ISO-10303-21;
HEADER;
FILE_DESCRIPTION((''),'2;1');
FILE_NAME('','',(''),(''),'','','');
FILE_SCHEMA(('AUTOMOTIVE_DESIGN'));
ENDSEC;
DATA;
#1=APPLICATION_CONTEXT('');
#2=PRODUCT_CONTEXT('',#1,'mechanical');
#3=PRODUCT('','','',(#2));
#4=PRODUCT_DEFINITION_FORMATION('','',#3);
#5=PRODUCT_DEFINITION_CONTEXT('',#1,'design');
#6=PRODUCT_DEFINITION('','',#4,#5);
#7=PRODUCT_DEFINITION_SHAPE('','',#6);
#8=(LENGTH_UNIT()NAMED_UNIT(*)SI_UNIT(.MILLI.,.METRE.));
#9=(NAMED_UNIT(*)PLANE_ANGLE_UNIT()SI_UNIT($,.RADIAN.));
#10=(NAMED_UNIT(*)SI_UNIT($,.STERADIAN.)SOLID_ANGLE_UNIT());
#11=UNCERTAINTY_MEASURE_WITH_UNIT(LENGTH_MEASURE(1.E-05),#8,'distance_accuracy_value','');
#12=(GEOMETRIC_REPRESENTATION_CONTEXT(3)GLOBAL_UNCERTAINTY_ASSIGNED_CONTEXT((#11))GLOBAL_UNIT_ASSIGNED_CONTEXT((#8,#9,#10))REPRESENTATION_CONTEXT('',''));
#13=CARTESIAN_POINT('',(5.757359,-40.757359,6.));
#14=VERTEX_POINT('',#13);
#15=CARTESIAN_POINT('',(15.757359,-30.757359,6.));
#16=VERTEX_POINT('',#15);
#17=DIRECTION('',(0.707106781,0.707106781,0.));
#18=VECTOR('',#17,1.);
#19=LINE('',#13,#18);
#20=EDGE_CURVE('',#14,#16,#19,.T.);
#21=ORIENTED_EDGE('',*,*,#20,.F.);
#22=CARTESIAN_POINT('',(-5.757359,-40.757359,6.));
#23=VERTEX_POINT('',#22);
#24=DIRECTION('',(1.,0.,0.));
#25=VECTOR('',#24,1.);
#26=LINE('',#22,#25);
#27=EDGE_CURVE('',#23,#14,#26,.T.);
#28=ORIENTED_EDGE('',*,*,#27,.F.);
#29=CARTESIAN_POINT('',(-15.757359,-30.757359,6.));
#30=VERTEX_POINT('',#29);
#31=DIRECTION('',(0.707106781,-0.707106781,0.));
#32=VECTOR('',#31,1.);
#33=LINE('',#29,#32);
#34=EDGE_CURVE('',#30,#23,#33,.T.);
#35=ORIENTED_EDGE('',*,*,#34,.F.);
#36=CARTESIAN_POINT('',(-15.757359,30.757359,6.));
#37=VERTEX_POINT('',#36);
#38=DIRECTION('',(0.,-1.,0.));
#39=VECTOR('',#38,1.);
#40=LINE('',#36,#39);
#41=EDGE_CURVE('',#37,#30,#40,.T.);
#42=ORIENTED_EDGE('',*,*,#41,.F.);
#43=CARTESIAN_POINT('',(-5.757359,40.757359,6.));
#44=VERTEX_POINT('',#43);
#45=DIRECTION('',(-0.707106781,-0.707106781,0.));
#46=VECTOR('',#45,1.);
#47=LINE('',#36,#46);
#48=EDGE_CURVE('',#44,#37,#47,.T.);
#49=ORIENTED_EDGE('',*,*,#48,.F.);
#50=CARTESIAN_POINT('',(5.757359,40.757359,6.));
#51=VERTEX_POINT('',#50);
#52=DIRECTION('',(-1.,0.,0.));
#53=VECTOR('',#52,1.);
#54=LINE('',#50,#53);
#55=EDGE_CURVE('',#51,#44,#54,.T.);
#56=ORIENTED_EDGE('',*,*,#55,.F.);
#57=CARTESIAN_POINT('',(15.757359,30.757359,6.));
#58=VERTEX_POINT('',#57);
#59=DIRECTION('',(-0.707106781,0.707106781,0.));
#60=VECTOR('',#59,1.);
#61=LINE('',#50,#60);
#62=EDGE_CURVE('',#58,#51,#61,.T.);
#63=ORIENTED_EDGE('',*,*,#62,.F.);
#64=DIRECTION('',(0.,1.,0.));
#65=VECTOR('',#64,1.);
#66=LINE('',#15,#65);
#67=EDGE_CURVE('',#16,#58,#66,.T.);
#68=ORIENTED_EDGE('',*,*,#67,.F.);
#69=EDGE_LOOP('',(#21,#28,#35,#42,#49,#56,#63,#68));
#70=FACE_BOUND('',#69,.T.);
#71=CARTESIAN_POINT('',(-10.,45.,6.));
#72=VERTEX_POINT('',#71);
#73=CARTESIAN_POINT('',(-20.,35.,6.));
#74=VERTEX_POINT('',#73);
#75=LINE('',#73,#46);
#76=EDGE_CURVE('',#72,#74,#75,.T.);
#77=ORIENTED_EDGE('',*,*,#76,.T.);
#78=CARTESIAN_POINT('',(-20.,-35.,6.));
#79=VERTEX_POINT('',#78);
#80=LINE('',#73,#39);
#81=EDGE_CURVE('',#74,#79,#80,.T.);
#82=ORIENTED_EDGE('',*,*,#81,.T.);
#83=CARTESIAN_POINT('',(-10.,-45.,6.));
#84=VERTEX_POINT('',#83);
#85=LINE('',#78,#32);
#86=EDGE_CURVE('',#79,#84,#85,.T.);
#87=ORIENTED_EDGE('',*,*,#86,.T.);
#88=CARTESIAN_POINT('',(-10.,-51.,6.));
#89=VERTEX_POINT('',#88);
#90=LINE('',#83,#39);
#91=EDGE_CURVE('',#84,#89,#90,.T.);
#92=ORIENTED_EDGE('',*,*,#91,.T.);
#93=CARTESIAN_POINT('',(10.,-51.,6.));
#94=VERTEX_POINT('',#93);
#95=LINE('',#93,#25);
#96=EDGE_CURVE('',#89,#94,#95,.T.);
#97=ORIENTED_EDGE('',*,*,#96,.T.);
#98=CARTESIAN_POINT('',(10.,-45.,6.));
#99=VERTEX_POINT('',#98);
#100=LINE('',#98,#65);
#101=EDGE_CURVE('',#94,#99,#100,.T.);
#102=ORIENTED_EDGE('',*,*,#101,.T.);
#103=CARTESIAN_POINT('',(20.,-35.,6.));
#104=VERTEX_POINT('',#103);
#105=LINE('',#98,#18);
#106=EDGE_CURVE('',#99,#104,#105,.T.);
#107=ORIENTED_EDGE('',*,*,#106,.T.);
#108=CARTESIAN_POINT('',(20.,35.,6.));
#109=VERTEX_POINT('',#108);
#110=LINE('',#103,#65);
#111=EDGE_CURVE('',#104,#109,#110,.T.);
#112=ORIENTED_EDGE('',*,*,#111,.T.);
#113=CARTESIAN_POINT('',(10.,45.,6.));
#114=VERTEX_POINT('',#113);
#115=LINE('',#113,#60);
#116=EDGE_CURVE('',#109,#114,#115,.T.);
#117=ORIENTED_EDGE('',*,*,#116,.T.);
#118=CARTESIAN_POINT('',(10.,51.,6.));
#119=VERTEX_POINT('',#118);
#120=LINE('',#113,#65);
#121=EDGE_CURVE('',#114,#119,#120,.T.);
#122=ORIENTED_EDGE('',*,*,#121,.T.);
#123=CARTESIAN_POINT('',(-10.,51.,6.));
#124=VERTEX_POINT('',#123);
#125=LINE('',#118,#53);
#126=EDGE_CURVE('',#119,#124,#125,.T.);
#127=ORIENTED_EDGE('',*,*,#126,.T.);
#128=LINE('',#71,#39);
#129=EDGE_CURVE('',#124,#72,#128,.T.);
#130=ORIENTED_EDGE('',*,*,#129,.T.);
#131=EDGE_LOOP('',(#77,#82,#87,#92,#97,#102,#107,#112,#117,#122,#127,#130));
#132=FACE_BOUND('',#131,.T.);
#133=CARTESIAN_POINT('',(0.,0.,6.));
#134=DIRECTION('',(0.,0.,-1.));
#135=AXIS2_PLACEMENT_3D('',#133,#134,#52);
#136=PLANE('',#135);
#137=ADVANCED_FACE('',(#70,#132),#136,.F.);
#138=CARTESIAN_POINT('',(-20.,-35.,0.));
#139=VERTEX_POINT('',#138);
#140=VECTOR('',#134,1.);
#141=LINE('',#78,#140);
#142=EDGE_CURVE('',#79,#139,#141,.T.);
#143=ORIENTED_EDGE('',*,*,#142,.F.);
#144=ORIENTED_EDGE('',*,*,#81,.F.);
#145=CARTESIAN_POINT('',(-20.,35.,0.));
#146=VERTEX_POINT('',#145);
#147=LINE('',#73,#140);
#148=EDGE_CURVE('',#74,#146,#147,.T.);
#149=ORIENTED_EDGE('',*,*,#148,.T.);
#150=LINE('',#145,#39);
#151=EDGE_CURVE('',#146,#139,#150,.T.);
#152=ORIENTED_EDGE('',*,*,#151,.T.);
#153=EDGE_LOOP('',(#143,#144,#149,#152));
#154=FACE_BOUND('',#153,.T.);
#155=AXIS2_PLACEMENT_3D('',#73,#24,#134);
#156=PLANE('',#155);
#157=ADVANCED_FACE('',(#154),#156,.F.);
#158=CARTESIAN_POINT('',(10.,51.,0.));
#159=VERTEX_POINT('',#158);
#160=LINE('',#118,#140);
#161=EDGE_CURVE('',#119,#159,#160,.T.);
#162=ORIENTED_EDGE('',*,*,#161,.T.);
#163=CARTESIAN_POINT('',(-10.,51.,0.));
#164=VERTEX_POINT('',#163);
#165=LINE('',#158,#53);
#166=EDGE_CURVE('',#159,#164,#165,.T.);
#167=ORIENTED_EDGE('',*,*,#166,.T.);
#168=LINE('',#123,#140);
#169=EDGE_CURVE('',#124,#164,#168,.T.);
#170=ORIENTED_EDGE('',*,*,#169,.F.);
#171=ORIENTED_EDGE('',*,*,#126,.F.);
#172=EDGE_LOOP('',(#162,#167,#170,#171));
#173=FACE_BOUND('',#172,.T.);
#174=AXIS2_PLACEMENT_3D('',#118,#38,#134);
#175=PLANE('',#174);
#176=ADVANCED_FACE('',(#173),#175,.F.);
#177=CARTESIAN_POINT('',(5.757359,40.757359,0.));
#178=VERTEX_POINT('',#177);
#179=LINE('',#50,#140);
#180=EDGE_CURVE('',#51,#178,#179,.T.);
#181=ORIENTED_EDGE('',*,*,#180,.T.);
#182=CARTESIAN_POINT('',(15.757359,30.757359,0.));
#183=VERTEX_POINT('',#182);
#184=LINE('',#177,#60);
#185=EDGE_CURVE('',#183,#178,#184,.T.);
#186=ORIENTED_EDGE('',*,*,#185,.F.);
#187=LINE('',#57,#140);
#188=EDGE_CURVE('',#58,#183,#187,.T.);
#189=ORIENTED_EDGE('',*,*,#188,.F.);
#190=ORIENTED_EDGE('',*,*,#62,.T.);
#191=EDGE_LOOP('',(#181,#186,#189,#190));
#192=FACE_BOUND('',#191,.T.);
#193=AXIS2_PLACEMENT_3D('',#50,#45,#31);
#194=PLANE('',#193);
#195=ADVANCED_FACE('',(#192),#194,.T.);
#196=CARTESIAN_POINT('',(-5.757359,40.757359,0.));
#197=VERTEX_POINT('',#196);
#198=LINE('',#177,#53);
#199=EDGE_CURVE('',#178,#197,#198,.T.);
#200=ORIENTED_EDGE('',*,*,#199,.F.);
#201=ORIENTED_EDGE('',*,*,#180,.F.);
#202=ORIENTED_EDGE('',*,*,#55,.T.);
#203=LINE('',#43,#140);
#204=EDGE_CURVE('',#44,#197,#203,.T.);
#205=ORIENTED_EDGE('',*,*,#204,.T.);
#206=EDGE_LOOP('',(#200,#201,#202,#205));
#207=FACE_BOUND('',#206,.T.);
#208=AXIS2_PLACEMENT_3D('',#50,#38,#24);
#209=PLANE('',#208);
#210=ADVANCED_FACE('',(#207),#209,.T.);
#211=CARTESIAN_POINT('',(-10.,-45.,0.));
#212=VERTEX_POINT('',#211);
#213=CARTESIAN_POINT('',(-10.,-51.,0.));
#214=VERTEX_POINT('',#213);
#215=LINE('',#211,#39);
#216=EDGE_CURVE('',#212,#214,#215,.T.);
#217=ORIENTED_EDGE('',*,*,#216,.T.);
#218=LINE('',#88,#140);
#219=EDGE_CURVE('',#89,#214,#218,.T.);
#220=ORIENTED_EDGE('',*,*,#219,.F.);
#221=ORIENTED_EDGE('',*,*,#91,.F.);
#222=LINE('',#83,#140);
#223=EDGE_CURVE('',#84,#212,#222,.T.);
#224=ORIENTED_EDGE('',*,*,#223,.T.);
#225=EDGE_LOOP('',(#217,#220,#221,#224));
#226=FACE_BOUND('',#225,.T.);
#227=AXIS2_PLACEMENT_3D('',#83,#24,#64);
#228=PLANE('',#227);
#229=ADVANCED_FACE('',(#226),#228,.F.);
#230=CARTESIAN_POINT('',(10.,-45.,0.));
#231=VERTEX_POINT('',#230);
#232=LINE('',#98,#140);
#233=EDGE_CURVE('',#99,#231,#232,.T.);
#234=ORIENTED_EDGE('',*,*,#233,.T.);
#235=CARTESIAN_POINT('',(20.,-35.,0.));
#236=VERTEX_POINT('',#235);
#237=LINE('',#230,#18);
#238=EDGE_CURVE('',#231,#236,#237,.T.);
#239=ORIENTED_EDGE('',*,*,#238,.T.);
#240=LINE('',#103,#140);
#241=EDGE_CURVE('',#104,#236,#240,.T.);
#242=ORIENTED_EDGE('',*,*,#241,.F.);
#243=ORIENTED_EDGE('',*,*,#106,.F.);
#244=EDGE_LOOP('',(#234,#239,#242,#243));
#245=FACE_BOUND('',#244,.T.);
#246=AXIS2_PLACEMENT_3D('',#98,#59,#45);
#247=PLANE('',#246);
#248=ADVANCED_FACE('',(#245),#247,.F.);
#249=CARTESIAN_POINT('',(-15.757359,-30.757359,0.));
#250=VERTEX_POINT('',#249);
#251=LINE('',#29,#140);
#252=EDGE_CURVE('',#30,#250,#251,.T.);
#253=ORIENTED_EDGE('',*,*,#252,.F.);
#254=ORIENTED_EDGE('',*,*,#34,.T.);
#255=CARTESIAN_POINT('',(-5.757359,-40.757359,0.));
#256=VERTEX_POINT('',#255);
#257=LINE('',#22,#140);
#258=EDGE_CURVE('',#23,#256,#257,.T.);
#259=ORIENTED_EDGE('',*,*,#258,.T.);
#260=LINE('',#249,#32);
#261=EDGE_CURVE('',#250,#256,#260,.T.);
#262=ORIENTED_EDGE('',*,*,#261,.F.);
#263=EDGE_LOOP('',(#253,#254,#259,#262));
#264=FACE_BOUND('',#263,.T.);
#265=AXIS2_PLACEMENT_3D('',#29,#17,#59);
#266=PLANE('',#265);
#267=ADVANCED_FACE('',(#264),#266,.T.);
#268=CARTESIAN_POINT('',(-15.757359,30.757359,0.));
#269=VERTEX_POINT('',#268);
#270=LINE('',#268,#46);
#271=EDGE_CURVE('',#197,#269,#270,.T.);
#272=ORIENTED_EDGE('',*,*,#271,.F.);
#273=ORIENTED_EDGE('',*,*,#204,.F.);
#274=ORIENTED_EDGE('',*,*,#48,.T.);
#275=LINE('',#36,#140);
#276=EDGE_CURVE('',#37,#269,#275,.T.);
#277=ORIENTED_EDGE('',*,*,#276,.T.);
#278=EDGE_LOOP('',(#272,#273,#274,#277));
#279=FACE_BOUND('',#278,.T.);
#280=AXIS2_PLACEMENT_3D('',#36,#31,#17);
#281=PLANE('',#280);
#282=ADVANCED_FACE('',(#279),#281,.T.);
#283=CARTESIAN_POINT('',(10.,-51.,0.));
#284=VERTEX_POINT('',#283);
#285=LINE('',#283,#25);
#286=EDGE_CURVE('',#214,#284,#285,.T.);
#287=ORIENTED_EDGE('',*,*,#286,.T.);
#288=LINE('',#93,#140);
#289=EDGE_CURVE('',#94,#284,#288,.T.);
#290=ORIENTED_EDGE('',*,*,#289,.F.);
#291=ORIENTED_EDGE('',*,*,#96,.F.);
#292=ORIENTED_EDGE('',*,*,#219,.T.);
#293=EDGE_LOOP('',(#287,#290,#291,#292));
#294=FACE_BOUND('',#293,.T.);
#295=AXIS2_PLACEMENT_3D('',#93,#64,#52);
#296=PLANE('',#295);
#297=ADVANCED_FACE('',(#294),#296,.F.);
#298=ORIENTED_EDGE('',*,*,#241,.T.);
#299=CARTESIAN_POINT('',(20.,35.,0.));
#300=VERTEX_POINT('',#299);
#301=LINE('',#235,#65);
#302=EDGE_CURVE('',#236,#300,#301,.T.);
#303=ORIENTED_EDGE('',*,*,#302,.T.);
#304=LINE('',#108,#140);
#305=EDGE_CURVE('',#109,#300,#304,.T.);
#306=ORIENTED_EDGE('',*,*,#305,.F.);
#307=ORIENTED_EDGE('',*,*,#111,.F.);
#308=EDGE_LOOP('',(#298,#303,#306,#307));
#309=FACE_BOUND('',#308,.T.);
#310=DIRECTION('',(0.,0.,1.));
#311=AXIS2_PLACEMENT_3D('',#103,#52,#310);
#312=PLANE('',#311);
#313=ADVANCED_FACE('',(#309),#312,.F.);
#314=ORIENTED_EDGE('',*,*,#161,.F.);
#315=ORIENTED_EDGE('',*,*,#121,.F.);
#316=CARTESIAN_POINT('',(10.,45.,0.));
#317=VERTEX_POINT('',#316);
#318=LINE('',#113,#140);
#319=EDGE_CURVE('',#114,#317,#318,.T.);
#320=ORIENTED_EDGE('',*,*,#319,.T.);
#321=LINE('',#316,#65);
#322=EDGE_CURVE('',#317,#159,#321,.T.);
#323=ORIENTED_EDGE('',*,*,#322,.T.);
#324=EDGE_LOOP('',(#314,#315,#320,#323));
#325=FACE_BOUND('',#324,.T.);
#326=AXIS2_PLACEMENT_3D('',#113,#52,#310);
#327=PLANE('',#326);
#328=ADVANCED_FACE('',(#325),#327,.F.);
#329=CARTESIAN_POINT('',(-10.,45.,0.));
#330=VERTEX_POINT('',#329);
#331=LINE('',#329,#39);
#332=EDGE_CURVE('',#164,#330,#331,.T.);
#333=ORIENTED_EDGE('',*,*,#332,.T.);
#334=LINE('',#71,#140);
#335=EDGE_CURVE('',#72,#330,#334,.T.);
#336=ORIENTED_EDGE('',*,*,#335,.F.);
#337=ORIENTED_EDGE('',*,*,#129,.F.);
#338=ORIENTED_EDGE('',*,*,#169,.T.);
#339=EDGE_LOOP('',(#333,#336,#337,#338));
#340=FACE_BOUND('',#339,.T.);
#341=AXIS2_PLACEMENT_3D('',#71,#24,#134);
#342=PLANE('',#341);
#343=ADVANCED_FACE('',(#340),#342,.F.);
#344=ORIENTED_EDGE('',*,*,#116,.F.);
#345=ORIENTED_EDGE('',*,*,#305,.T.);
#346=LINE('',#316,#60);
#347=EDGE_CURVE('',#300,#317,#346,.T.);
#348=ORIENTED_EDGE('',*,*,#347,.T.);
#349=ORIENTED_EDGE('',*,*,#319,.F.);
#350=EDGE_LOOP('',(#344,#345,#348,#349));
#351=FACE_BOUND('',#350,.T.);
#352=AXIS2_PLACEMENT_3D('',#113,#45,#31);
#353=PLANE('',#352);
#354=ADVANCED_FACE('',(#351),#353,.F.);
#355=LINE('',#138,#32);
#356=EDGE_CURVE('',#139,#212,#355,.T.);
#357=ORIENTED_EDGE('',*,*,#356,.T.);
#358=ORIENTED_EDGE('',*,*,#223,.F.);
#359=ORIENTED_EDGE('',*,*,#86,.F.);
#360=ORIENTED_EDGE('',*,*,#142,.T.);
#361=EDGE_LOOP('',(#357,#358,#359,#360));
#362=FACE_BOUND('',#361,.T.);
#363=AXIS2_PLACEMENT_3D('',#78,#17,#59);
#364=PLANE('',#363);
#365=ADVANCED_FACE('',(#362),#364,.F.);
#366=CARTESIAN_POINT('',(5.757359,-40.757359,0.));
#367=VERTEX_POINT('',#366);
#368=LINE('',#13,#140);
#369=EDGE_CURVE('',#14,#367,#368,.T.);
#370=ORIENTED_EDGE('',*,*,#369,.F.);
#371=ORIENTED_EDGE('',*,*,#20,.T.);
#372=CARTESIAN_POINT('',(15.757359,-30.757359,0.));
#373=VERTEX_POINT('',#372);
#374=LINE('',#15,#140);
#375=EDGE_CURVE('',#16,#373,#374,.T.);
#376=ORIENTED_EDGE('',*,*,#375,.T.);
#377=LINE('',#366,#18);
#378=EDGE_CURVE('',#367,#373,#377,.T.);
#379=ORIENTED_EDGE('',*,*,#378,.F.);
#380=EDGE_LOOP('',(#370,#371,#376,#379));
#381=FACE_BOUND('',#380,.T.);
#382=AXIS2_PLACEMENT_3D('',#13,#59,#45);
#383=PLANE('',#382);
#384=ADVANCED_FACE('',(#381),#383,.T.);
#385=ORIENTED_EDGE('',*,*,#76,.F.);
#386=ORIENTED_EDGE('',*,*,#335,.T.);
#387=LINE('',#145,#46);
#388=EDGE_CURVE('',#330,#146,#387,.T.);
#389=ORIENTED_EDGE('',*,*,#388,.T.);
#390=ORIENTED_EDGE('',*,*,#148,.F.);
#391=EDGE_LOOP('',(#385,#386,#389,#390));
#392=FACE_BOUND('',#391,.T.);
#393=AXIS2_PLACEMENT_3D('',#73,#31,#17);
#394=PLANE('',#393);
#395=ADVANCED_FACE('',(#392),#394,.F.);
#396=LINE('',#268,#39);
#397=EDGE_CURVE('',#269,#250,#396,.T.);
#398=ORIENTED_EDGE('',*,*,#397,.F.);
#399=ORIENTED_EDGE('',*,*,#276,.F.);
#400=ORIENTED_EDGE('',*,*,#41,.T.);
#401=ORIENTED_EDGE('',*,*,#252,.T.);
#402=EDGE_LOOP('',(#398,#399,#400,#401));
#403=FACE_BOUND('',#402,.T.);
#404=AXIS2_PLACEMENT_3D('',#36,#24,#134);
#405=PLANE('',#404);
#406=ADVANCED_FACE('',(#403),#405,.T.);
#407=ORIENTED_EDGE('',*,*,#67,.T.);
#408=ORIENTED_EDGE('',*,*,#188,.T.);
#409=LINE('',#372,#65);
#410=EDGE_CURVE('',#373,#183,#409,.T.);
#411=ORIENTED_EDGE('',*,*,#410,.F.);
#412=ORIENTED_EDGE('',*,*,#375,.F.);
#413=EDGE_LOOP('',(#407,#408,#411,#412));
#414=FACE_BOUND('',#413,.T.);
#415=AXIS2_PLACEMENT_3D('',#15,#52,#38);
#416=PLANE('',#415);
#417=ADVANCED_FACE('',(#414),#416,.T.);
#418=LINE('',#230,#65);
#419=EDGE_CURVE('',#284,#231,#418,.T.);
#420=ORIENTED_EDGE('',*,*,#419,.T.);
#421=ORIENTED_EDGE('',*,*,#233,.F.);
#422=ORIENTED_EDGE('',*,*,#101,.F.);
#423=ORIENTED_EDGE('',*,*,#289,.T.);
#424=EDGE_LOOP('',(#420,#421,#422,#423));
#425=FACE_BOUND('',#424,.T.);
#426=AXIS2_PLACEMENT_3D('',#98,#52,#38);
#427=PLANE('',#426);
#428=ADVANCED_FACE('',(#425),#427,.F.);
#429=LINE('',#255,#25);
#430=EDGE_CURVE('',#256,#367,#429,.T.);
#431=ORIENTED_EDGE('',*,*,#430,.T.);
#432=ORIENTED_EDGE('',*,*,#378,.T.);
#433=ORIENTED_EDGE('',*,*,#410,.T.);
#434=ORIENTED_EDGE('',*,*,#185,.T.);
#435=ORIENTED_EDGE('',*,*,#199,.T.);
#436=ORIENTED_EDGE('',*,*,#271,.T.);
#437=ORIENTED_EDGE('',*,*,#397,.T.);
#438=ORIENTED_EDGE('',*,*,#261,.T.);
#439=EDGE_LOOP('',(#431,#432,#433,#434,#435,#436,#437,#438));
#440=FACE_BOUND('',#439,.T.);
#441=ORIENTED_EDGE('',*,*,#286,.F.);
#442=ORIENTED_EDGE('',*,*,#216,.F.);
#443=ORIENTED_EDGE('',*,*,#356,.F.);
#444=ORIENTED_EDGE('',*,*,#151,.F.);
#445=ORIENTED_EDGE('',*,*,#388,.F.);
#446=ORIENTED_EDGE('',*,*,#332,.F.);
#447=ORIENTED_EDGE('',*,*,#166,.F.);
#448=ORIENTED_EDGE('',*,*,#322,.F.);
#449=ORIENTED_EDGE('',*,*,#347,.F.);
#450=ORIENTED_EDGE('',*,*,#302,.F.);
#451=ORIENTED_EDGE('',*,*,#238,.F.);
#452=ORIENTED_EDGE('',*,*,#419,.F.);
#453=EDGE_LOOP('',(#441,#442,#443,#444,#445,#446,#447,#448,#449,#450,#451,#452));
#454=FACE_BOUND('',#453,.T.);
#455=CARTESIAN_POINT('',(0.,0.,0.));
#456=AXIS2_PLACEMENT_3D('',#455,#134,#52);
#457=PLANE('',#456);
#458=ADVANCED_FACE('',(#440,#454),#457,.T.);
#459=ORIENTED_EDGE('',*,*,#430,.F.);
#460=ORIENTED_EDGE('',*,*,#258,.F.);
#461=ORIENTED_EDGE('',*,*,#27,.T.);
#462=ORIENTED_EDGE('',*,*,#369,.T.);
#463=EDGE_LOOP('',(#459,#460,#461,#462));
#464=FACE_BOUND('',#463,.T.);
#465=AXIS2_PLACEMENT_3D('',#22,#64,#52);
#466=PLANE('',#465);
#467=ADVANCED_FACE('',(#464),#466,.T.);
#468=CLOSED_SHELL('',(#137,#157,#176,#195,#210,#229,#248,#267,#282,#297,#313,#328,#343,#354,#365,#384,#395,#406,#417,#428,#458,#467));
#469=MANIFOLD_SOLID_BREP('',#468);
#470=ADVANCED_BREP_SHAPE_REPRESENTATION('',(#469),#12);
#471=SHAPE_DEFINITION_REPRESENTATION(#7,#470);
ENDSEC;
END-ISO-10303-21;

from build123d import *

# Parameters (mm, degrees)
BOSS_EXTRUDE1_DEPTH = 6


with BuildPart() as part:
    # Sketch1 → Boss-Extrude1 (new body)
    with BuildSketch(Plane.XY):
        Polygon((20, -35), (20, 35), (10, 45), (10, 51), (-10, 51), (-10, 45), (-20, 35), (-20, -35), (-10, -45), (-10, -51), (10, -51), (10, -45), align=None)
        Polygon((5.757359313, 40.757359313), (15.757359313, 30.757359313), (15.757359313, -30.757359313), (5.757359313, -40.757359313), (-5.757359313, -40.757359313), (-15.757359313, -30.757359313), (-15.757359313, 30.757359313), (-5.757359313, 40.757359313), align=None, mode=Mode.SUBTRACT)
    extrude(amount=BOSS_EXTRUDE1_DEPTH)


solid = part.part
